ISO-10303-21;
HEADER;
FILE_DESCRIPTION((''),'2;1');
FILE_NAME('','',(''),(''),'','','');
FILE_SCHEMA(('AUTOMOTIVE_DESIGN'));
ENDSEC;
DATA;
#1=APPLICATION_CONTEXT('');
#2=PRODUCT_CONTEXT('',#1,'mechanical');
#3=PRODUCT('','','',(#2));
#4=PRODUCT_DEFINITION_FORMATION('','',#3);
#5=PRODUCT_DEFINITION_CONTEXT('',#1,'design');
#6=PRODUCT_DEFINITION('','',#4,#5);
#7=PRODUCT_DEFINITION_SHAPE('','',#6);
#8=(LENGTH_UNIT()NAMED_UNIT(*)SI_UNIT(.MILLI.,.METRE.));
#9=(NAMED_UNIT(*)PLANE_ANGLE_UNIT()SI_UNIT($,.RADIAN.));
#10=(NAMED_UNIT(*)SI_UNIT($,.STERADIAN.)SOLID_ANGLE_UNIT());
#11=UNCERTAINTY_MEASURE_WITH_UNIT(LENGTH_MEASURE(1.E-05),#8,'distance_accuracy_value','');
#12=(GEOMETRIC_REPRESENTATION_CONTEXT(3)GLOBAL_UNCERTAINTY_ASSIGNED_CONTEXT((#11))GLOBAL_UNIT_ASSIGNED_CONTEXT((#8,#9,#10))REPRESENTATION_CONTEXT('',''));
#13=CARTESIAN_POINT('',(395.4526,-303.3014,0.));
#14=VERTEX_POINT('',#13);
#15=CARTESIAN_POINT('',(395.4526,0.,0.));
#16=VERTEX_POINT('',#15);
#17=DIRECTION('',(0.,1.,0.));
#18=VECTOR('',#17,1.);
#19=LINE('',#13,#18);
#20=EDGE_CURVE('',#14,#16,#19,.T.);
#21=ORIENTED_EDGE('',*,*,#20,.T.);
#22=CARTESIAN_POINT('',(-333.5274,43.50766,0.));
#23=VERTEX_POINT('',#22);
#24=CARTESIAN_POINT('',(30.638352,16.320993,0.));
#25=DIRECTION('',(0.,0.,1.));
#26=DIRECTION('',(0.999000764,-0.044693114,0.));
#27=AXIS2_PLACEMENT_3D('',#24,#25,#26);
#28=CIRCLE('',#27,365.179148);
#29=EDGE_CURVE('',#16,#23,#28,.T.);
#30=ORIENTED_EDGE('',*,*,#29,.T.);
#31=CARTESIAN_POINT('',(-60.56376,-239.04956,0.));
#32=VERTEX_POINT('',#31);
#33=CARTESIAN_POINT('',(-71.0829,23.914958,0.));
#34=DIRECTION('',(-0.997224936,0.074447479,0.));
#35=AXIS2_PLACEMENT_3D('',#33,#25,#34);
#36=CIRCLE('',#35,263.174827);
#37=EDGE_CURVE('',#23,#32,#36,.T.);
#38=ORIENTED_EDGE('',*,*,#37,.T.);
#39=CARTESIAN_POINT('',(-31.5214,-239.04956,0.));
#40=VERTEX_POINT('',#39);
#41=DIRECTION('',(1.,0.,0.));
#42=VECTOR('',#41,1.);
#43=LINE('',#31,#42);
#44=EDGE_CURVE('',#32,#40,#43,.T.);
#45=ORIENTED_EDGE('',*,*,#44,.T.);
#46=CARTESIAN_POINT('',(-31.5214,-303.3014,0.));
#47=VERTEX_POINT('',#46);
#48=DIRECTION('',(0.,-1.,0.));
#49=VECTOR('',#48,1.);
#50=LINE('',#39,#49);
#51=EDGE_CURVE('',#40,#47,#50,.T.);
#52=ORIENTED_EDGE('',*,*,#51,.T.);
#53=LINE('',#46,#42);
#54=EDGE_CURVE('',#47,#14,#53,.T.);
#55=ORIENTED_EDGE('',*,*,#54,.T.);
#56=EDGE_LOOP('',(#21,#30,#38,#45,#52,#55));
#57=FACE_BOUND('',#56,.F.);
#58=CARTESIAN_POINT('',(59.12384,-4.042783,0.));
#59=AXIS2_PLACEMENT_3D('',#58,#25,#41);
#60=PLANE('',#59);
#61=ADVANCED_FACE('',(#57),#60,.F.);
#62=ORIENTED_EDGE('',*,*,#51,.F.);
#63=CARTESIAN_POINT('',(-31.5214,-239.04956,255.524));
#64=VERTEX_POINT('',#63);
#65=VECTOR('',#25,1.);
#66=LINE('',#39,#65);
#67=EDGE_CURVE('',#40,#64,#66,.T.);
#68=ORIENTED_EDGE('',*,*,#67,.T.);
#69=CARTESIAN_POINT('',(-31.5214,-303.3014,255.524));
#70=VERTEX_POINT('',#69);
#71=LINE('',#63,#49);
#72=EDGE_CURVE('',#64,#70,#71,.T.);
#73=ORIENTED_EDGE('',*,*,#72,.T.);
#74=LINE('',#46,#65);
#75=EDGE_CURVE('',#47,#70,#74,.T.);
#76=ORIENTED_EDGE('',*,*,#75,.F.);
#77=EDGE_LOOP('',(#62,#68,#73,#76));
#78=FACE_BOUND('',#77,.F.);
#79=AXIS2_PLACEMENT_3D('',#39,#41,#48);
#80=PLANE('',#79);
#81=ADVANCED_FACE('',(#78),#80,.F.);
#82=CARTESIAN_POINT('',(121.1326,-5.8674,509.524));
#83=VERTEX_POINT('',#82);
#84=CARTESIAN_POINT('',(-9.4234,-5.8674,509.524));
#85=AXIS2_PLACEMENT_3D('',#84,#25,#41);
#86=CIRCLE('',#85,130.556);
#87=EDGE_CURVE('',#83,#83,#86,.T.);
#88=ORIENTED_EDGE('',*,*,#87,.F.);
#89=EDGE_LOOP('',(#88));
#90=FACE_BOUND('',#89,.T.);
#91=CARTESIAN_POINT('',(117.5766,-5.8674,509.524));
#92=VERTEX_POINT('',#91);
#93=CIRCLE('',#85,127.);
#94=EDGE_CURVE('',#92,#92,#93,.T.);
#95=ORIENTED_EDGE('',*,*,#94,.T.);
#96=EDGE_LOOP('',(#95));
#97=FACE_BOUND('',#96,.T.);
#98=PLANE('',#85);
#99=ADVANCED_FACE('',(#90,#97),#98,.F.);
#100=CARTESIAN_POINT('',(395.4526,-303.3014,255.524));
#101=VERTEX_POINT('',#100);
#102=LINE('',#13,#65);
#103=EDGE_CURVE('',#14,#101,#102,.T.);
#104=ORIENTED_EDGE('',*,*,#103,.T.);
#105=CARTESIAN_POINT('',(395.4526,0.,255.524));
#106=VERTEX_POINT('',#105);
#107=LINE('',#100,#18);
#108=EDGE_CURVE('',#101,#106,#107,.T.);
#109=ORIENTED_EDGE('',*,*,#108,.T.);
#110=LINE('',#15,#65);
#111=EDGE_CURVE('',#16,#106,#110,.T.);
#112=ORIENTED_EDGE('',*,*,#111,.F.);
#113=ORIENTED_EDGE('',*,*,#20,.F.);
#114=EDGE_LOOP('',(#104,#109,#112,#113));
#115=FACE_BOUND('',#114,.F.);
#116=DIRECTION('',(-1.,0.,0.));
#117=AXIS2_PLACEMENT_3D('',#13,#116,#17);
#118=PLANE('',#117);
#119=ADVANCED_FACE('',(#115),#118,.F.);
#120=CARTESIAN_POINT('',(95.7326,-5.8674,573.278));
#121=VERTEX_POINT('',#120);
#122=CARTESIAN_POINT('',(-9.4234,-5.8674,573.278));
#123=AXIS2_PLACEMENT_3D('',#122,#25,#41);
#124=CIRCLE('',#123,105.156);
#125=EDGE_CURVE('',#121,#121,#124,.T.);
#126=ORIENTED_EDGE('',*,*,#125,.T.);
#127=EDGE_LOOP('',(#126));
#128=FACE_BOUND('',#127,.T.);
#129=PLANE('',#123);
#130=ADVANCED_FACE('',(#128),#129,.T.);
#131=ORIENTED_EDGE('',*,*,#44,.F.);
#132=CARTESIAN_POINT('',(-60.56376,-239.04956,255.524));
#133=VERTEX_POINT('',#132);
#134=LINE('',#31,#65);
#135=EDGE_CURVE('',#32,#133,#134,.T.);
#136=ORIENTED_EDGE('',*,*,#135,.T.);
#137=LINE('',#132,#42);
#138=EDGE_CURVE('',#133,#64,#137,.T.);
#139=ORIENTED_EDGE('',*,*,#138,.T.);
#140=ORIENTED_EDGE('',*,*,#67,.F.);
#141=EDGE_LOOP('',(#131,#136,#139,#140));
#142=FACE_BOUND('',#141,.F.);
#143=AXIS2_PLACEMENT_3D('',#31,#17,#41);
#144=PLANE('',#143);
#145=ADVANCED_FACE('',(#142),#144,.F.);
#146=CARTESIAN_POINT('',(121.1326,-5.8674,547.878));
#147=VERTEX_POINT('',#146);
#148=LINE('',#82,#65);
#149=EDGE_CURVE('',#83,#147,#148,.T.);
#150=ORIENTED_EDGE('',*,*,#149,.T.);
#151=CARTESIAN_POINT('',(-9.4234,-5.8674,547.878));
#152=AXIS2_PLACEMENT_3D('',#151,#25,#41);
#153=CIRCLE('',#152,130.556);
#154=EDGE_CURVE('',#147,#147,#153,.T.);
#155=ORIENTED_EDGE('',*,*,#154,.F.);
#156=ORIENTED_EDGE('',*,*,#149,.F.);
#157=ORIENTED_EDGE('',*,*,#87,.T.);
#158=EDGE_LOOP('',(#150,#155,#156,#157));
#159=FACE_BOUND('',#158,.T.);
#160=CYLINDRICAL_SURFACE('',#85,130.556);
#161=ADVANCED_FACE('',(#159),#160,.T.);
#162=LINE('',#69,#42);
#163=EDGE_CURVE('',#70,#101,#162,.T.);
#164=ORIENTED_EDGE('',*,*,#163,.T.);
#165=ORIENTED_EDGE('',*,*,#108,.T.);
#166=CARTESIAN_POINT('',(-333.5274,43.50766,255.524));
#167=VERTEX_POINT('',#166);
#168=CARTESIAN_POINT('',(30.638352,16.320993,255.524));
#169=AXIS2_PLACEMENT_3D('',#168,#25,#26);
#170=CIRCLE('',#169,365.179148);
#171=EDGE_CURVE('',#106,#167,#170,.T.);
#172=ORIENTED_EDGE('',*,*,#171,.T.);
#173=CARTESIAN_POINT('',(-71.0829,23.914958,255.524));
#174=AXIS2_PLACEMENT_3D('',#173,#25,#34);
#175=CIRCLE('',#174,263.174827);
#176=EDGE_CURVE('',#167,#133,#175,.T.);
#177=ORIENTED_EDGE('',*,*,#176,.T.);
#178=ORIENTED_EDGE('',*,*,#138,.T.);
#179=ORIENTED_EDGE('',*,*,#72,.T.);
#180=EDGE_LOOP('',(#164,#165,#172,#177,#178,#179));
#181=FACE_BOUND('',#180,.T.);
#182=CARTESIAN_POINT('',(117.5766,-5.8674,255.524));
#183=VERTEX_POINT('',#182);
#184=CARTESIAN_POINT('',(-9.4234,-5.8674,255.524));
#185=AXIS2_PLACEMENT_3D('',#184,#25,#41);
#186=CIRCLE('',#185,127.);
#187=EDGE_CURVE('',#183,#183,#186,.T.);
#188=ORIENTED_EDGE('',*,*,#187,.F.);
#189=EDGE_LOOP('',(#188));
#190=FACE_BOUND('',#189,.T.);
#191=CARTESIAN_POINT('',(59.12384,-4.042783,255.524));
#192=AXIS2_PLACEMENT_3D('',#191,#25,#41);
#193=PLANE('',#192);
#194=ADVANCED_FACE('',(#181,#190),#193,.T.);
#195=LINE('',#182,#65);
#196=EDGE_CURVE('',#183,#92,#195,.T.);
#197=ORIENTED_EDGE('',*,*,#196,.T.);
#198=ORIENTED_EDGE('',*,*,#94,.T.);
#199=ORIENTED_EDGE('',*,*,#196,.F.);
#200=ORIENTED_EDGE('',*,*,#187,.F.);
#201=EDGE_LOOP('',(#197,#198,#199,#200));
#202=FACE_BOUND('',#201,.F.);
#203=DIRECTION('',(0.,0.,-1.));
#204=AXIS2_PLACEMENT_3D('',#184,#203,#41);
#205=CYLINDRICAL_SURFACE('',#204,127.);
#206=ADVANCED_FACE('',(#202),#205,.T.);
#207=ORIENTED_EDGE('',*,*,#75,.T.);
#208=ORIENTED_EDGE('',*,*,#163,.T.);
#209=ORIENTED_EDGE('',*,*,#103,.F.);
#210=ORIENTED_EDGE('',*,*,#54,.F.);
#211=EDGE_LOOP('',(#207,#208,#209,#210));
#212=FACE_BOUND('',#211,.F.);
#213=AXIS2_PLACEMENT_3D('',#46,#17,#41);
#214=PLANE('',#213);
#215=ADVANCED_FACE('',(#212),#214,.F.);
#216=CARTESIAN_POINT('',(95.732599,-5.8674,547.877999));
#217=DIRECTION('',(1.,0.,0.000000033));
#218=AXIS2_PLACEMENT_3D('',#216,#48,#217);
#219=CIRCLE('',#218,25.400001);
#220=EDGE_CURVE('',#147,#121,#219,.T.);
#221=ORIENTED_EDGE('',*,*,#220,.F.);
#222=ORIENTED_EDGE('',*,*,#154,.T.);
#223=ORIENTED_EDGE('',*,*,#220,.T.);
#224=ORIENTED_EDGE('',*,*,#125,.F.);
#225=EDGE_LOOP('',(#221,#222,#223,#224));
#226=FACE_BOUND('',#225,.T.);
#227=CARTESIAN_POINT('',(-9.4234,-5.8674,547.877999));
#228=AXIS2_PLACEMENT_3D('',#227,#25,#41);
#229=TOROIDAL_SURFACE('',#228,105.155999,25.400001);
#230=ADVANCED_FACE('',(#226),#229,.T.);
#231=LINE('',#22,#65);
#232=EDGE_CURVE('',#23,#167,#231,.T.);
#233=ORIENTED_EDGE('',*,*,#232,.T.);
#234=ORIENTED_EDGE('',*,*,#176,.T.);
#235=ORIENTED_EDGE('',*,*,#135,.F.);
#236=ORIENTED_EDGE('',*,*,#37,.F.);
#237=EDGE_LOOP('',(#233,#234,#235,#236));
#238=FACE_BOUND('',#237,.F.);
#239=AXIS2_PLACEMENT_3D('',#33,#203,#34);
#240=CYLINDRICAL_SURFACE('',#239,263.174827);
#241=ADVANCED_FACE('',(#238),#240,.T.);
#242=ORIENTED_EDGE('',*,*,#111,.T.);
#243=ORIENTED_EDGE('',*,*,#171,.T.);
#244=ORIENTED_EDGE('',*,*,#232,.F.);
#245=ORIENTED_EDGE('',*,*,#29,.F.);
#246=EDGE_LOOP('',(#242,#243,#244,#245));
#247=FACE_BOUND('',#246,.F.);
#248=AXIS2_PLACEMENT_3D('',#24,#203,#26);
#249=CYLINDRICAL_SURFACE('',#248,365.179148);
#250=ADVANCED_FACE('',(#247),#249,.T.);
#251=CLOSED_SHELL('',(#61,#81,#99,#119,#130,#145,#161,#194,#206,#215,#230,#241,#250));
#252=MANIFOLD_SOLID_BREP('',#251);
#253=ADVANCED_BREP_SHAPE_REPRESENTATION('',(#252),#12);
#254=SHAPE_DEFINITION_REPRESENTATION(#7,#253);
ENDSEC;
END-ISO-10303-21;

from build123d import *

# Parameters (mm, degrees)
F1_DEPTH = 255.524
F2_R     = 127
F3_DEPTH = 254


with BuildPart() as f1:
    # F0 (on Top) → F1 (new body)
    with BuildSketch(Plane.XY):
        with BuildLine():
            ThreePointArc((395.4526, 0), (52.394599, 380.85148), (-333.5274, 43.50766))
            ThreePointArc((-333.5274, 43.50766), (-260.361114, -158.936751), (-60.56376, -239.04956))
            Line((-60.56376, -239.04956), (-31.5214, -239.04956))
            Line((-31.5214, -239.04956), (-31.5214, -303.3014))
            Line((-31.5214, -303.3014), (395.4526, -303.3014))
            Line((395.4526, -303.3014), (395.4526, 0))
        make_face()
    extrude(amount=F1_DEPTH)

    # F2 (on face) → F3 (join)
    with BuildSketch(Plane.XY.offset(255.524)):
        with Locations((-9.4234, -5.8674)):
            Circle(F2_R)
    extrude(amount=F3_DEPTH)

    # F6 (on face) → F9 (revolve)
    with BuildSketch(Plane.XZ.offset(5.8674)):
        with BuildLine():
            Line((121.1326, 509.524), (121.1326, 547.878))
            ThreePointArc((121.1326, 547.878), (113.693112, 565.838512), (95.7326, 573.278))
            Line((95.7326, 573.278), (-9.4234, 573.278))
            Line((-9.4234, 573.278), (-9.4234, 509.524))
            Line((-9.4234, 509.524), (121.1326, 509.524))
        make_face()
    revolve(axis=Axis((-9.4234, -5.8674, 525.207323), (0, 0, 1)))


solid = f1.part
